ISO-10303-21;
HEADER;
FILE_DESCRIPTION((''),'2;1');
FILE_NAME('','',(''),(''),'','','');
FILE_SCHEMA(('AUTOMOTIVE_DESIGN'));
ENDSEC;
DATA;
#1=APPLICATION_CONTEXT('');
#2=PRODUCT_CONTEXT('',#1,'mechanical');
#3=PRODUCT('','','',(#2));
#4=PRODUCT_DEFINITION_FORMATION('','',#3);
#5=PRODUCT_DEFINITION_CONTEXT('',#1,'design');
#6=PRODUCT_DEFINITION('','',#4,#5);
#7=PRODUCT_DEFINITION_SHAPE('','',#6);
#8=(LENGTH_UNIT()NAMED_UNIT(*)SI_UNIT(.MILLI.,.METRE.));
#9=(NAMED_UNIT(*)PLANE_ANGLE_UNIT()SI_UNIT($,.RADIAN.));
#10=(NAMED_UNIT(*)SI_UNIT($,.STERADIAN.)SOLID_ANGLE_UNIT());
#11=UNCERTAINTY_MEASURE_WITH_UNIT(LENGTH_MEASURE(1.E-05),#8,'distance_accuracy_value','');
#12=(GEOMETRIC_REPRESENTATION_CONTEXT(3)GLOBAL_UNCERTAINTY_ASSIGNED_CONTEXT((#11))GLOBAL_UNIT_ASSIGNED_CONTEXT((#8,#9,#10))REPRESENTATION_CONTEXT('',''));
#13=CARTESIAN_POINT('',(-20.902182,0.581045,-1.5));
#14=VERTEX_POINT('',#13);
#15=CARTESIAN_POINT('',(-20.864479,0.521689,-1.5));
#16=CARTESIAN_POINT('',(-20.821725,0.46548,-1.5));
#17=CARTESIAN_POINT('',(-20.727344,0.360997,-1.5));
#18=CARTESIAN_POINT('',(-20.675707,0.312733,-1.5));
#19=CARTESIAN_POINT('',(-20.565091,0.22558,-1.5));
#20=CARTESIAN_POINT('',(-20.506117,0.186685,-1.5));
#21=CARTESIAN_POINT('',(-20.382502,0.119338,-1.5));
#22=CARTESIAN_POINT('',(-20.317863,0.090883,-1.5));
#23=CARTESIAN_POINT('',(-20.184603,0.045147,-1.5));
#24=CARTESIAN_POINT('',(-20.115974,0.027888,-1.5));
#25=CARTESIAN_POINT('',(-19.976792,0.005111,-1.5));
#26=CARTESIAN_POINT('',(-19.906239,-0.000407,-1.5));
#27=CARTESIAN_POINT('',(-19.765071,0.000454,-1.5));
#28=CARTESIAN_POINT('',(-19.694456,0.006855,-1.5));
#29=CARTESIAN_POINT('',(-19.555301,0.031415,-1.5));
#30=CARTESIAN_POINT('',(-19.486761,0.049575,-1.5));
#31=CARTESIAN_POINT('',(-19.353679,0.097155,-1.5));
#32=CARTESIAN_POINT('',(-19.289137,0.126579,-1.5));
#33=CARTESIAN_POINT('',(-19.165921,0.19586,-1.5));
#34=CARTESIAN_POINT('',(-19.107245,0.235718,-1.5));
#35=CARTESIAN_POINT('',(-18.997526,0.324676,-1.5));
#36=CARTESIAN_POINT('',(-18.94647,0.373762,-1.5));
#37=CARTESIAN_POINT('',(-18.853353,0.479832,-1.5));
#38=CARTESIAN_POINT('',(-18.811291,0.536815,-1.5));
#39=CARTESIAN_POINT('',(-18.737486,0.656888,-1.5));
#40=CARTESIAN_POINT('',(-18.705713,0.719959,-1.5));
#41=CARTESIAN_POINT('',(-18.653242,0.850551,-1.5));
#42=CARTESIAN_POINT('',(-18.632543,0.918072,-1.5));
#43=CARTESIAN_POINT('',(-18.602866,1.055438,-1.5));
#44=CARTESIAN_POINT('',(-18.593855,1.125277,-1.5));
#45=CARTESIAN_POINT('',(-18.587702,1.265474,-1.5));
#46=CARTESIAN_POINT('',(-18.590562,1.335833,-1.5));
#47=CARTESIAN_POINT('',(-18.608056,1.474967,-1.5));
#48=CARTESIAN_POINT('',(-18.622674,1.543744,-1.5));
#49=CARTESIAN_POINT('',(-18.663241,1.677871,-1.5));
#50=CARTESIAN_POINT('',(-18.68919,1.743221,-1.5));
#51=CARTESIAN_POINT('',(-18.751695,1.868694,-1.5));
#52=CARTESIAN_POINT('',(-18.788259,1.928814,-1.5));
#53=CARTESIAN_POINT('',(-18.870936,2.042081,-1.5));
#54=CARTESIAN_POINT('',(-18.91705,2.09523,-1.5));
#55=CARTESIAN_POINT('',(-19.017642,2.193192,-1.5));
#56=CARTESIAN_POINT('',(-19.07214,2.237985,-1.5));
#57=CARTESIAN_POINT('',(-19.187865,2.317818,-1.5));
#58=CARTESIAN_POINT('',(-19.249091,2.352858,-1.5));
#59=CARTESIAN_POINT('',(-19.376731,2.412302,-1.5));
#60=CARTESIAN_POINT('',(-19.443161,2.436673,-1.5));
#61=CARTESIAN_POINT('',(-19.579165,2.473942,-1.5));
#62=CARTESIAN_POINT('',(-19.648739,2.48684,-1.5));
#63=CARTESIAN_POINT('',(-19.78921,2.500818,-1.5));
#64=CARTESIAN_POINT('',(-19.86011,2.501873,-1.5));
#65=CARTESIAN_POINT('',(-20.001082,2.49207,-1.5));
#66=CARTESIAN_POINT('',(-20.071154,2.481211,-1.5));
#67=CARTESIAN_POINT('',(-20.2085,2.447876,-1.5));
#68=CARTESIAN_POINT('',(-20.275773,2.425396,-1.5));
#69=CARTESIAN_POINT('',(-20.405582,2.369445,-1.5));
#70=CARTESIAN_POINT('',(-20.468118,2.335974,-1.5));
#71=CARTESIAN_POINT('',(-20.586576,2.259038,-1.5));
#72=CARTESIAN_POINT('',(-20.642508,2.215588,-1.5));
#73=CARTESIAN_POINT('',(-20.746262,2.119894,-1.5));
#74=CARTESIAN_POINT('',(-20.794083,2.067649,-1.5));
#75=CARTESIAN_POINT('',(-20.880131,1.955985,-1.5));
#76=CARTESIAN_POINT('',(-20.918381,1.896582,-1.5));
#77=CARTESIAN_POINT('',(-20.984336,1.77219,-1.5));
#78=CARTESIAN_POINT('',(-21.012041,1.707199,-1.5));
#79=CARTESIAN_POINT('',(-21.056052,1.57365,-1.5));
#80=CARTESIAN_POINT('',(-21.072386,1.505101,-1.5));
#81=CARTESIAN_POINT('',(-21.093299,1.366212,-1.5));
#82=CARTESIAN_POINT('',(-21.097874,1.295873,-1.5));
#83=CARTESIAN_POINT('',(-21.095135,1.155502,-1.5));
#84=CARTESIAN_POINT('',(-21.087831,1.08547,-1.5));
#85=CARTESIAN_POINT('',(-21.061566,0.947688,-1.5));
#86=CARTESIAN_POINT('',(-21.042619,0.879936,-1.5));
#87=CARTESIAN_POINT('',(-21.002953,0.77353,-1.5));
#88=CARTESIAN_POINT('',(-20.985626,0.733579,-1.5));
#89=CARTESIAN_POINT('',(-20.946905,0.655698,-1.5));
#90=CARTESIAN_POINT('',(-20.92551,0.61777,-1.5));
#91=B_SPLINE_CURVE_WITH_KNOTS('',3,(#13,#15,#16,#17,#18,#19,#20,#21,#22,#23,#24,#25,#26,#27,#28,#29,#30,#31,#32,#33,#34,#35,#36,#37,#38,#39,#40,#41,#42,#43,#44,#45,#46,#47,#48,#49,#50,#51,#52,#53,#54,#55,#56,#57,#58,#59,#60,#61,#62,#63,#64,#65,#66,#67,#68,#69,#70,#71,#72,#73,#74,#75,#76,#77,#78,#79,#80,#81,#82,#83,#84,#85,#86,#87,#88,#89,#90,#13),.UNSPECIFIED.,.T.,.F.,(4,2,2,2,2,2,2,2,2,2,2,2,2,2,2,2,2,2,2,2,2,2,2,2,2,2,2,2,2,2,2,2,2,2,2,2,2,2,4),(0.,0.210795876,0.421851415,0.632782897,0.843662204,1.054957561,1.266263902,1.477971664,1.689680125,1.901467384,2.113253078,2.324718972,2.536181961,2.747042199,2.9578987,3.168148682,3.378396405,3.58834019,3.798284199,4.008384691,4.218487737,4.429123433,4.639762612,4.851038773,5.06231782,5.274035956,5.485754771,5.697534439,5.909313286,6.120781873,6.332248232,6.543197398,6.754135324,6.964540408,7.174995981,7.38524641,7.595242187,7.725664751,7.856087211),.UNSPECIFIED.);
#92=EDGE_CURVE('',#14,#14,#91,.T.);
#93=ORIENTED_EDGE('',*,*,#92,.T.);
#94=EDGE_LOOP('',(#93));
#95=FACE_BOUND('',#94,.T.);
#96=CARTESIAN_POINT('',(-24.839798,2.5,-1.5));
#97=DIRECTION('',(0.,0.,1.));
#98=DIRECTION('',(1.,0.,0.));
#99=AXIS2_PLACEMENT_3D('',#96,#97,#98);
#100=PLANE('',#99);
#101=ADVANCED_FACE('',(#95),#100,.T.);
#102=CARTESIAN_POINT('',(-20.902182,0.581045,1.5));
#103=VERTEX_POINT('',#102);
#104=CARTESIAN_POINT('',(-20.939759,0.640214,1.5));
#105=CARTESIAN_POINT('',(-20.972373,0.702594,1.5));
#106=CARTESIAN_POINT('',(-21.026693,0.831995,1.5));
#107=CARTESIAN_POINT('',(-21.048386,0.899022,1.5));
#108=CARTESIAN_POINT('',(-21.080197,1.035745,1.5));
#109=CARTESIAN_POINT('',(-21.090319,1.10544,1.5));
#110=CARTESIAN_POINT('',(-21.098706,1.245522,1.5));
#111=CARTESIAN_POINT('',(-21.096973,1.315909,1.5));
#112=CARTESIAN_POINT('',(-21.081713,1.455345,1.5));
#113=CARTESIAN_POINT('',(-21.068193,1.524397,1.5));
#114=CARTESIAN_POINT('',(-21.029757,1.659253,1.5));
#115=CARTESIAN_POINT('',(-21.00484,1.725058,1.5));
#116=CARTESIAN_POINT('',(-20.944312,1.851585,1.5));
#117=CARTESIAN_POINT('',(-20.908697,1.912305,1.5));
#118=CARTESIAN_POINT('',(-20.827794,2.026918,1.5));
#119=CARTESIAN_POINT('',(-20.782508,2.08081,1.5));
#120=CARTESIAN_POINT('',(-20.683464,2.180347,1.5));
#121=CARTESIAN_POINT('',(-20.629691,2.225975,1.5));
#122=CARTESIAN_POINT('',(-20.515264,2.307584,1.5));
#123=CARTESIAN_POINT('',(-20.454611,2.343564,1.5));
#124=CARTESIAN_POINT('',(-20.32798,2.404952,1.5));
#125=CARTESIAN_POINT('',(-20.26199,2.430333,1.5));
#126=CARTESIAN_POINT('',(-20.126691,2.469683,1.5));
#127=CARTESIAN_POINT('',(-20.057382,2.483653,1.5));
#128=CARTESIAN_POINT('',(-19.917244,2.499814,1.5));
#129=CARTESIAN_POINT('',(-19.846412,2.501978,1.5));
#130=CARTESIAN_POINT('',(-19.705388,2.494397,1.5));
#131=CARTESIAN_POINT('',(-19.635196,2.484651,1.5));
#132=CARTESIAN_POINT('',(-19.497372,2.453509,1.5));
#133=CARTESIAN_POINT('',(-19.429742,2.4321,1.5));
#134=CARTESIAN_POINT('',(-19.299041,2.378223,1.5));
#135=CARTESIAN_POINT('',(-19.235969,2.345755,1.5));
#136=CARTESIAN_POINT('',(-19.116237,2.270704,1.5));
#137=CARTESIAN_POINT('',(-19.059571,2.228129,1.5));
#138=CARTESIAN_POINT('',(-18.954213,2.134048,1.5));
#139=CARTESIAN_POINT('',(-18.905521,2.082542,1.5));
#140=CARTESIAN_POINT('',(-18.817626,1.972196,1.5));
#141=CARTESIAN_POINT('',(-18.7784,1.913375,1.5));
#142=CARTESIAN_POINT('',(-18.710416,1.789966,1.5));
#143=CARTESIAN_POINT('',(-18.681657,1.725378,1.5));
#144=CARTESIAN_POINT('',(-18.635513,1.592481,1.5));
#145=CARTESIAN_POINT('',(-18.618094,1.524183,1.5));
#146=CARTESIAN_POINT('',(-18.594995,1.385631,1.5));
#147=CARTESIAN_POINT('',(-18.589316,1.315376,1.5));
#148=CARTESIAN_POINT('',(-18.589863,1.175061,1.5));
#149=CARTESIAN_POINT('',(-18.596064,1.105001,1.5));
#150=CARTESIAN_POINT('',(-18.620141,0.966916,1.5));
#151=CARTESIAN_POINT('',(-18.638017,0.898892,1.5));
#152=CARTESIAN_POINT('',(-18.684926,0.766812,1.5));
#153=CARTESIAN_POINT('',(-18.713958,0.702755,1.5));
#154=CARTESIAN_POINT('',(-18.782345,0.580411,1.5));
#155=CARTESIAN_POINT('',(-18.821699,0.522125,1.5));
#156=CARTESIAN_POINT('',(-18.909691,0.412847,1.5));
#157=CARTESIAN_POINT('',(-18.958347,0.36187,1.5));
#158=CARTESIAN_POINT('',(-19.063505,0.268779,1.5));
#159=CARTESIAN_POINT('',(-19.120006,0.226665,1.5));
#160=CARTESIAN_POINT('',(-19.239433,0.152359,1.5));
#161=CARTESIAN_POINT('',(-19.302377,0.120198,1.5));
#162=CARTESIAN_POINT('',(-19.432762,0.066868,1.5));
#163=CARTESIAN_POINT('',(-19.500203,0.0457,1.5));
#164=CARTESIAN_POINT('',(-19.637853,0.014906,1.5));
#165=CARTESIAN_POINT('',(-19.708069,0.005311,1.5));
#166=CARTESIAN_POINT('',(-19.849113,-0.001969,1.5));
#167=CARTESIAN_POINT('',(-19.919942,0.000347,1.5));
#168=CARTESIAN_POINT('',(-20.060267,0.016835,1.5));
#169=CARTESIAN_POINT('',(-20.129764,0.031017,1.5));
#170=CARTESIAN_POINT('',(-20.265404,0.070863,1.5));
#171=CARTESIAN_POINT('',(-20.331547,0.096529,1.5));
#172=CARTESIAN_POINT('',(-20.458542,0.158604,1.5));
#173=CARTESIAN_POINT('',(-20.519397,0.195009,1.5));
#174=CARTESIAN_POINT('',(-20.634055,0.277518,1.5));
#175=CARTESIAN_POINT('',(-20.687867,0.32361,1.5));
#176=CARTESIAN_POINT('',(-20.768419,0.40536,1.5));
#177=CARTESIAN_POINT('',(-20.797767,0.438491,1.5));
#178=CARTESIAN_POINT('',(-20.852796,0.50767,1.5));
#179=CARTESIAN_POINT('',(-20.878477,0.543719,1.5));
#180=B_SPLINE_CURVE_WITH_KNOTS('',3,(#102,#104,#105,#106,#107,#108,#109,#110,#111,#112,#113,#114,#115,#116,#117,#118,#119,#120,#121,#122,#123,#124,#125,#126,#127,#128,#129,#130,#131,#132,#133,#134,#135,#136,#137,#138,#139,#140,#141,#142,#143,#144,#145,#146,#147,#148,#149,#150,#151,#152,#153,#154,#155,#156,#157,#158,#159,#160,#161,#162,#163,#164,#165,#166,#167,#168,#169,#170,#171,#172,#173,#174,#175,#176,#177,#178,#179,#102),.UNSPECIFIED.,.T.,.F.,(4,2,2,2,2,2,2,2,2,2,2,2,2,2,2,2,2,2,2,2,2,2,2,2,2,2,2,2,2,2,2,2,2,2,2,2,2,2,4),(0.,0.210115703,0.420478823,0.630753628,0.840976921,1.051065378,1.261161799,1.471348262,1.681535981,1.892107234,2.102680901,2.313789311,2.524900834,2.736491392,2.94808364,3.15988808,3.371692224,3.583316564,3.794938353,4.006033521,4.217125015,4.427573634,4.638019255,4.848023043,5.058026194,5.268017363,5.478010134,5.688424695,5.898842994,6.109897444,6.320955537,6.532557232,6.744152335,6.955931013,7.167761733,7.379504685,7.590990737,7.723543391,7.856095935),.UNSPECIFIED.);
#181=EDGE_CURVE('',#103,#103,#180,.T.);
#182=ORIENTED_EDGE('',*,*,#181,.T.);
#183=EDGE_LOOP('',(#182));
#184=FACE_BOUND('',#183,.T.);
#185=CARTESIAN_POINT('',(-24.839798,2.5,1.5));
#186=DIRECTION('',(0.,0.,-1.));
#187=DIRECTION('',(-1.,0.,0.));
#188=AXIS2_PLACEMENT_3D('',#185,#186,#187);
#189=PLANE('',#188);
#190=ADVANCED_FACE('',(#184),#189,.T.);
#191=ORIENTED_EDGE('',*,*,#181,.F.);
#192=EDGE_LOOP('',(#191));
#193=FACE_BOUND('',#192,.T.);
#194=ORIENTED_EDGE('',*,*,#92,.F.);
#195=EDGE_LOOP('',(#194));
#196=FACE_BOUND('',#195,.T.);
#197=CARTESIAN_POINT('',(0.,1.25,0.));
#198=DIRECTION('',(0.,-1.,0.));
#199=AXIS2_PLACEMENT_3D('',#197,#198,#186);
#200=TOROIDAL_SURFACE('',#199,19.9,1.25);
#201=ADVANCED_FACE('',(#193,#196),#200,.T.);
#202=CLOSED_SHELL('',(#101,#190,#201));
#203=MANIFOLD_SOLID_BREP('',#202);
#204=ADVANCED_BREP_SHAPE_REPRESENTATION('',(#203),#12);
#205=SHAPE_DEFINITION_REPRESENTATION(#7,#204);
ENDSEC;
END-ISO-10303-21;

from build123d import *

# Parameters (mm, degrees)
SKETCH_1_R          = 1.25
SKETCH_2_W          = 8.762505604
SKETCH_2_H          = 3
CUT_EXTRUDE_1_DEPTH = 31.014913109


with BuildPart() as part:
    # Эскиз1 → Повернуть1 (revolve)
    with BuildSketch(Plane.XY, mode=Mode.PRIVATE) as revolve_1_sk:
        with Locations((-19.9, 1.25)):
            Circle(SKETCH_1_R)
    revolve(revolve_1_sk.sketch.rotate(Axis((0, 0, 0), (0, 1, 0)), 270), axis=Axis((0, 0, 0), (0, 1, 0)))

    # Эскиз2 → Вырез-Вытянуть1 (cut, through all)
    with BuildSketch(Plane(origin=(0, 0, 0), x_dir=(1, 0, 0), z_dir=(0, 1, 0))):
        with Locations((-20.458545692, 0)):
            Rectangle(SKETCH_2_W, SKETCH_2_H)
    extrude(amount=CUT_EXTRUDE_1_DEPTH, mode=Mode.SUBTRACT)


solid = part.part
